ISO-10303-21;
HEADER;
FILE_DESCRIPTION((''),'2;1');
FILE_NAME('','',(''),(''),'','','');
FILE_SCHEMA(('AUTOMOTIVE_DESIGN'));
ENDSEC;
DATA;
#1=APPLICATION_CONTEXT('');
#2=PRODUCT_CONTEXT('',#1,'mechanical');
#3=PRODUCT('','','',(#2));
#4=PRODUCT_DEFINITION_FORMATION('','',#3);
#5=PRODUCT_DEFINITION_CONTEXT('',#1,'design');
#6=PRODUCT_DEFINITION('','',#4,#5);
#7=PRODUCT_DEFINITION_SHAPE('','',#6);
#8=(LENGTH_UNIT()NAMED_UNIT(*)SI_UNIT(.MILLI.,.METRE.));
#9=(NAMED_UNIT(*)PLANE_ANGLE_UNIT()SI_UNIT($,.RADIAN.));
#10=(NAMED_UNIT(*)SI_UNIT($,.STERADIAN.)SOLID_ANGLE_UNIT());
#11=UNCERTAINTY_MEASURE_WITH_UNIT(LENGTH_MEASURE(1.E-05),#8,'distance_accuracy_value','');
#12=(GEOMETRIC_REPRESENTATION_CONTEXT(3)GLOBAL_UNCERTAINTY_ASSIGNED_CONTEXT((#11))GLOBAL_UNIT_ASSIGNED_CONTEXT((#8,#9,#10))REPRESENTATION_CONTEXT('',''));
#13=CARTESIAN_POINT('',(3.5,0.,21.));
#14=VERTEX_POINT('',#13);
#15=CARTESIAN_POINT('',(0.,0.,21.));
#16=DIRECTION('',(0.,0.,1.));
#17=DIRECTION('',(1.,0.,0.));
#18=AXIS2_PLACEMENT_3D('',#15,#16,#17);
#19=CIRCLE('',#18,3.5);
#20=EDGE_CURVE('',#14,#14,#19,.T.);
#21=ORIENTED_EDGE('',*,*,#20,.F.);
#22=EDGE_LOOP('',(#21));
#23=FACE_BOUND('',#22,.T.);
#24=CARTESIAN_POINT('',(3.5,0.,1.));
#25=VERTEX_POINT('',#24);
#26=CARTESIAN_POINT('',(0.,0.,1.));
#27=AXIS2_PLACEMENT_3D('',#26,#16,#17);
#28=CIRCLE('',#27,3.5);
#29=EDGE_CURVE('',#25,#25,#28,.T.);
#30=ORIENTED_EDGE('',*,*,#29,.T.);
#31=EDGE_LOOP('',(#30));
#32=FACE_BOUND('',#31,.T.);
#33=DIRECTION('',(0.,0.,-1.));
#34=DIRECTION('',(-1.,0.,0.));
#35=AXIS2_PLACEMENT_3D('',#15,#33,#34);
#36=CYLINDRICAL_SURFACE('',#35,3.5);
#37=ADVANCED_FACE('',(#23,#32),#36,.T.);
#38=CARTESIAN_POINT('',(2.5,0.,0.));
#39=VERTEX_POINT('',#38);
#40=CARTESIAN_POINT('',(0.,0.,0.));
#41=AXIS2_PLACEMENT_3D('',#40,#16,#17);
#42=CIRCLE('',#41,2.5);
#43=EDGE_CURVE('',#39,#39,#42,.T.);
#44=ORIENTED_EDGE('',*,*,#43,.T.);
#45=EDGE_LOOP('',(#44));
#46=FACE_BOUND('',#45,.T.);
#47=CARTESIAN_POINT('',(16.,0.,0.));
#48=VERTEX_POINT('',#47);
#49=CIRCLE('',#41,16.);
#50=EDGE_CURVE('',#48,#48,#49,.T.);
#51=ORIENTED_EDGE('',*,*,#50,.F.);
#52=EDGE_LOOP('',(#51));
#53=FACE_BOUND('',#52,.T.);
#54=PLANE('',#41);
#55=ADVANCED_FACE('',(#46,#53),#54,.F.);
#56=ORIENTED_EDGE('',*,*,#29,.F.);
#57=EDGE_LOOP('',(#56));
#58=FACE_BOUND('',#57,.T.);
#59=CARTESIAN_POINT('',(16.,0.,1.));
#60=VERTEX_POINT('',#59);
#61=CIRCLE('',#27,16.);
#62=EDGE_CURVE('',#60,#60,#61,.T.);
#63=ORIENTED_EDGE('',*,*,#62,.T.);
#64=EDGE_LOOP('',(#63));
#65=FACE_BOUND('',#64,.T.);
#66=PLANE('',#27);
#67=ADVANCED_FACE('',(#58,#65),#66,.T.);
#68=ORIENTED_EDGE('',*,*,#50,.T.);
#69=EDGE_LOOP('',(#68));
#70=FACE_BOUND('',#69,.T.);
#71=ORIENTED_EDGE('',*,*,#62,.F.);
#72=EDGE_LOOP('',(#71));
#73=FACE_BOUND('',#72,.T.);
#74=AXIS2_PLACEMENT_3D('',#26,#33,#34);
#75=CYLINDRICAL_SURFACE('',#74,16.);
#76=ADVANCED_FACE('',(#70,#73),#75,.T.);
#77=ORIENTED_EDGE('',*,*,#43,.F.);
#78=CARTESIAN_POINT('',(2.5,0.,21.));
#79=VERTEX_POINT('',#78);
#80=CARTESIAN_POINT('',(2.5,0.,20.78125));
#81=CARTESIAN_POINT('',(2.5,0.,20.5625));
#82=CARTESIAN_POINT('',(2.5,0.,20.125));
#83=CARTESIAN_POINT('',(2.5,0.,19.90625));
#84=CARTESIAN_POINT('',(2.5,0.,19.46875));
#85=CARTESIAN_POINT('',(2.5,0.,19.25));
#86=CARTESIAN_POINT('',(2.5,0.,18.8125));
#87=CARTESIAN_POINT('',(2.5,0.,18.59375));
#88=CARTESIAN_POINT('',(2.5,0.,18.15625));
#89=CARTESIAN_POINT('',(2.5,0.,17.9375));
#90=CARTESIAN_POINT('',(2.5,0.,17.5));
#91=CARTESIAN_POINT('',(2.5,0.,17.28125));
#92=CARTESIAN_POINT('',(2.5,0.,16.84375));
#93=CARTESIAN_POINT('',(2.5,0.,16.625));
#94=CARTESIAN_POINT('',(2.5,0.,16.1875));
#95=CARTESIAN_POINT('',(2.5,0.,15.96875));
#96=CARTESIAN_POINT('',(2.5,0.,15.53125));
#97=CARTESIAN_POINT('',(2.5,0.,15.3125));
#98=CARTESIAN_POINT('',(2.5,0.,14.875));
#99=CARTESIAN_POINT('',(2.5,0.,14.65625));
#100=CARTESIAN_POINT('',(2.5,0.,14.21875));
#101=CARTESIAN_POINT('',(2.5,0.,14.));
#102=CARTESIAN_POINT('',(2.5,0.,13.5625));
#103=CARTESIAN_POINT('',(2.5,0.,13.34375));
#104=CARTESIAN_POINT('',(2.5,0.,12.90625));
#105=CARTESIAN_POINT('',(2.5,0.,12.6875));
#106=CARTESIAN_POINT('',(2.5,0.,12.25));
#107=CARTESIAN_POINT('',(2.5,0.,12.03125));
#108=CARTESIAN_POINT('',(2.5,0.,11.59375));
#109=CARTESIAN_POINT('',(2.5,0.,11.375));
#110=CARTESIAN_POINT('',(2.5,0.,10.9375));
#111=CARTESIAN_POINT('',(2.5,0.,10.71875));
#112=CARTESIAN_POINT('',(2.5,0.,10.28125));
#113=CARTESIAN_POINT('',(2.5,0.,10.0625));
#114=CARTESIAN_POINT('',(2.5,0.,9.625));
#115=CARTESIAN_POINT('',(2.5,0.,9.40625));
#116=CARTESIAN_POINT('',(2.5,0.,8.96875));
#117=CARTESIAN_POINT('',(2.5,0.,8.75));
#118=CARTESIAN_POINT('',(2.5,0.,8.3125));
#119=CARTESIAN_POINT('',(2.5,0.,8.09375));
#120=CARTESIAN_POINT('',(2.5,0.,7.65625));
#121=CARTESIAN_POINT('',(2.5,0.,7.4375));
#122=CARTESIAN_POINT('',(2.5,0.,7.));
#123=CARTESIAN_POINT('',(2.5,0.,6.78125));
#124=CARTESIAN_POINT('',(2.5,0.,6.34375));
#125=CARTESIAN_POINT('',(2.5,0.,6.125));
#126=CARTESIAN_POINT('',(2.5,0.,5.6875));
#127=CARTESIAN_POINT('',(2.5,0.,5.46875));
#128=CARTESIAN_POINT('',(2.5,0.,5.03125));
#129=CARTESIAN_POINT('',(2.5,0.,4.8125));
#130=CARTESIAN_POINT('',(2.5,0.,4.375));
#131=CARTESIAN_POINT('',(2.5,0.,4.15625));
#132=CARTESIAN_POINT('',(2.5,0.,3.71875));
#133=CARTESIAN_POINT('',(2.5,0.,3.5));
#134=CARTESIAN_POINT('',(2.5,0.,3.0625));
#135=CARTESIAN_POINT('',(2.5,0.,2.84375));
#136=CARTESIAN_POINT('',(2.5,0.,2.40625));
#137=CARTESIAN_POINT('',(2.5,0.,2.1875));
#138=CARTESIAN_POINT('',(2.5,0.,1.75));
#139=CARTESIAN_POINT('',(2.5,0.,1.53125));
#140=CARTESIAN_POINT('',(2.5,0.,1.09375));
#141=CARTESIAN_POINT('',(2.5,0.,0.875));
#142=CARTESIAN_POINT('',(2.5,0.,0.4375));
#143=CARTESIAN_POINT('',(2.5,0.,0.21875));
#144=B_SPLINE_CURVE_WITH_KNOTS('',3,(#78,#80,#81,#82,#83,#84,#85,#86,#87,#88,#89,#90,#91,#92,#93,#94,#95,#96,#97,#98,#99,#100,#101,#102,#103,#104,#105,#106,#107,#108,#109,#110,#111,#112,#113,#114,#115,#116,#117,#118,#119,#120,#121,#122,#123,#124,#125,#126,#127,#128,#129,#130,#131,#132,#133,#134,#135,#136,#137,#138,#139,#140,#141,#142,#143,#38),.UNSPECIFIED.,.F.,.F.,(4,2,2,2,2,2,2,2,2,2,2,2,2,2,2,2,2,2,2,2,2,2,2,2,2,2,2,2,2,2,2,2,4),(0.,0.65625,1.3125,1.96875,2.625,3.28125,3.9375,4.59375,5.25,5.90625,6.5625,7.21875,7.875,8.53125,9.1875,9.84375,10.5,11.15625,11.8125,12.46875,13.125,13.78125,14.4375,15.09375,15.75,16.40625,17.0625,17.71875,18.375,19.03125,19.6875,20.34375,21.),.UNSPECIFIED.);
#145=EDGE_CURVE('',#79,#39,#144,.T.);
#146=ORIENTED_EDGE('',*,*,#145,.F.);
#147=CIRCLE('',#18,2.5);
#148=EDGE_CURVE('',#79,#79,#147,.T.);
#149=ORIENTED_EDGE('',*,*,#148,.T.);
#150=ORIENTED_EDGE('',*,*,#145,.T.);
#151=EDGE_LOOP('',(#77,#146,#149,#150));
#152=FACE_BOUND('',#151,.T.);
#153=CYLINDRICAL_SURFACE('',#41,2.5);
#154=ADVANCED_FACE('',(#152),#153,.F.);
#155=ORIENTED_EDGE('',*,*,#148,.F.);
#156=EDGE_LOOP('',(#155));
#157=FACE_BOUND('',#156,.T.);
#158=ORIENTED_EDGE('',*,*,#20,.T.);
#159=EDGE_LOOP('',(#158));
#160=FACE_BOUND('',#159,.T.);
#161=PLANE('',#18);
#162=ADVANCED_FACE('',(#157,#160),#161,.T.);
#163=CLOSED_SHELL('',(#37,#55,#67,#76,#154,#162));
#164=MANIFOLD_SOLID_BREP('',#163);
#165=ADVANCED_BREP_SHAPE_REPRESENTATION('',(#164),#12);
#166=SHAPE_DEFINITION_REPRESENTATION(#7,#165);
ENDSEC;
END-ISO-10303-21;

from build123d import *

# Parameters (mm, degrees)
SKETCH1_R               = 16
BOSS_EXTRUDE1_DEPTH     = 1
SKETCH2_R               = 3.5
BOSS_EXTRUDE2_DEPTH     = 20
CUT_EXTRUDE1_DEPTH      = 31.870698081
CUT_EXTRUDE1_DEPTH_BACK = 31.870698081
SKETCH3_R               = 2.5


with BuildPart() as part:
    # Sketch1 → Boss-Extrude1 (new body)
    with BuildSketch(Plane.XY):
        Circle(SKETCH1_R)
    extrude(amount=BOSS_EXTRUDE1_DEPTH)

    # Sketch2 → Boss-Extrude2 (add)
    with BuildSketch(Plane.XY.offset(1)):
        Circle(SKETCH2_R)
    extrude(amount=BOSS_EXTRUDE2_DEPTH)

    # Sketch3 → Cut-Extrude1 (cut, two sides: drawn at the far end of the back side and taken through both)
    with BuildSketch(Plane.XY.offset(21).offset(-CUT_EXTRUDE1_DEPTH_BACK)):
        Circle(SKETCH3_R)
    extrude(amount=CUT_EXTRUDE1_DEPTH + CUT_EXTRUDE1_DEPTH_BACK, mode=Mode.SUBTRACT)


solid = part.part
